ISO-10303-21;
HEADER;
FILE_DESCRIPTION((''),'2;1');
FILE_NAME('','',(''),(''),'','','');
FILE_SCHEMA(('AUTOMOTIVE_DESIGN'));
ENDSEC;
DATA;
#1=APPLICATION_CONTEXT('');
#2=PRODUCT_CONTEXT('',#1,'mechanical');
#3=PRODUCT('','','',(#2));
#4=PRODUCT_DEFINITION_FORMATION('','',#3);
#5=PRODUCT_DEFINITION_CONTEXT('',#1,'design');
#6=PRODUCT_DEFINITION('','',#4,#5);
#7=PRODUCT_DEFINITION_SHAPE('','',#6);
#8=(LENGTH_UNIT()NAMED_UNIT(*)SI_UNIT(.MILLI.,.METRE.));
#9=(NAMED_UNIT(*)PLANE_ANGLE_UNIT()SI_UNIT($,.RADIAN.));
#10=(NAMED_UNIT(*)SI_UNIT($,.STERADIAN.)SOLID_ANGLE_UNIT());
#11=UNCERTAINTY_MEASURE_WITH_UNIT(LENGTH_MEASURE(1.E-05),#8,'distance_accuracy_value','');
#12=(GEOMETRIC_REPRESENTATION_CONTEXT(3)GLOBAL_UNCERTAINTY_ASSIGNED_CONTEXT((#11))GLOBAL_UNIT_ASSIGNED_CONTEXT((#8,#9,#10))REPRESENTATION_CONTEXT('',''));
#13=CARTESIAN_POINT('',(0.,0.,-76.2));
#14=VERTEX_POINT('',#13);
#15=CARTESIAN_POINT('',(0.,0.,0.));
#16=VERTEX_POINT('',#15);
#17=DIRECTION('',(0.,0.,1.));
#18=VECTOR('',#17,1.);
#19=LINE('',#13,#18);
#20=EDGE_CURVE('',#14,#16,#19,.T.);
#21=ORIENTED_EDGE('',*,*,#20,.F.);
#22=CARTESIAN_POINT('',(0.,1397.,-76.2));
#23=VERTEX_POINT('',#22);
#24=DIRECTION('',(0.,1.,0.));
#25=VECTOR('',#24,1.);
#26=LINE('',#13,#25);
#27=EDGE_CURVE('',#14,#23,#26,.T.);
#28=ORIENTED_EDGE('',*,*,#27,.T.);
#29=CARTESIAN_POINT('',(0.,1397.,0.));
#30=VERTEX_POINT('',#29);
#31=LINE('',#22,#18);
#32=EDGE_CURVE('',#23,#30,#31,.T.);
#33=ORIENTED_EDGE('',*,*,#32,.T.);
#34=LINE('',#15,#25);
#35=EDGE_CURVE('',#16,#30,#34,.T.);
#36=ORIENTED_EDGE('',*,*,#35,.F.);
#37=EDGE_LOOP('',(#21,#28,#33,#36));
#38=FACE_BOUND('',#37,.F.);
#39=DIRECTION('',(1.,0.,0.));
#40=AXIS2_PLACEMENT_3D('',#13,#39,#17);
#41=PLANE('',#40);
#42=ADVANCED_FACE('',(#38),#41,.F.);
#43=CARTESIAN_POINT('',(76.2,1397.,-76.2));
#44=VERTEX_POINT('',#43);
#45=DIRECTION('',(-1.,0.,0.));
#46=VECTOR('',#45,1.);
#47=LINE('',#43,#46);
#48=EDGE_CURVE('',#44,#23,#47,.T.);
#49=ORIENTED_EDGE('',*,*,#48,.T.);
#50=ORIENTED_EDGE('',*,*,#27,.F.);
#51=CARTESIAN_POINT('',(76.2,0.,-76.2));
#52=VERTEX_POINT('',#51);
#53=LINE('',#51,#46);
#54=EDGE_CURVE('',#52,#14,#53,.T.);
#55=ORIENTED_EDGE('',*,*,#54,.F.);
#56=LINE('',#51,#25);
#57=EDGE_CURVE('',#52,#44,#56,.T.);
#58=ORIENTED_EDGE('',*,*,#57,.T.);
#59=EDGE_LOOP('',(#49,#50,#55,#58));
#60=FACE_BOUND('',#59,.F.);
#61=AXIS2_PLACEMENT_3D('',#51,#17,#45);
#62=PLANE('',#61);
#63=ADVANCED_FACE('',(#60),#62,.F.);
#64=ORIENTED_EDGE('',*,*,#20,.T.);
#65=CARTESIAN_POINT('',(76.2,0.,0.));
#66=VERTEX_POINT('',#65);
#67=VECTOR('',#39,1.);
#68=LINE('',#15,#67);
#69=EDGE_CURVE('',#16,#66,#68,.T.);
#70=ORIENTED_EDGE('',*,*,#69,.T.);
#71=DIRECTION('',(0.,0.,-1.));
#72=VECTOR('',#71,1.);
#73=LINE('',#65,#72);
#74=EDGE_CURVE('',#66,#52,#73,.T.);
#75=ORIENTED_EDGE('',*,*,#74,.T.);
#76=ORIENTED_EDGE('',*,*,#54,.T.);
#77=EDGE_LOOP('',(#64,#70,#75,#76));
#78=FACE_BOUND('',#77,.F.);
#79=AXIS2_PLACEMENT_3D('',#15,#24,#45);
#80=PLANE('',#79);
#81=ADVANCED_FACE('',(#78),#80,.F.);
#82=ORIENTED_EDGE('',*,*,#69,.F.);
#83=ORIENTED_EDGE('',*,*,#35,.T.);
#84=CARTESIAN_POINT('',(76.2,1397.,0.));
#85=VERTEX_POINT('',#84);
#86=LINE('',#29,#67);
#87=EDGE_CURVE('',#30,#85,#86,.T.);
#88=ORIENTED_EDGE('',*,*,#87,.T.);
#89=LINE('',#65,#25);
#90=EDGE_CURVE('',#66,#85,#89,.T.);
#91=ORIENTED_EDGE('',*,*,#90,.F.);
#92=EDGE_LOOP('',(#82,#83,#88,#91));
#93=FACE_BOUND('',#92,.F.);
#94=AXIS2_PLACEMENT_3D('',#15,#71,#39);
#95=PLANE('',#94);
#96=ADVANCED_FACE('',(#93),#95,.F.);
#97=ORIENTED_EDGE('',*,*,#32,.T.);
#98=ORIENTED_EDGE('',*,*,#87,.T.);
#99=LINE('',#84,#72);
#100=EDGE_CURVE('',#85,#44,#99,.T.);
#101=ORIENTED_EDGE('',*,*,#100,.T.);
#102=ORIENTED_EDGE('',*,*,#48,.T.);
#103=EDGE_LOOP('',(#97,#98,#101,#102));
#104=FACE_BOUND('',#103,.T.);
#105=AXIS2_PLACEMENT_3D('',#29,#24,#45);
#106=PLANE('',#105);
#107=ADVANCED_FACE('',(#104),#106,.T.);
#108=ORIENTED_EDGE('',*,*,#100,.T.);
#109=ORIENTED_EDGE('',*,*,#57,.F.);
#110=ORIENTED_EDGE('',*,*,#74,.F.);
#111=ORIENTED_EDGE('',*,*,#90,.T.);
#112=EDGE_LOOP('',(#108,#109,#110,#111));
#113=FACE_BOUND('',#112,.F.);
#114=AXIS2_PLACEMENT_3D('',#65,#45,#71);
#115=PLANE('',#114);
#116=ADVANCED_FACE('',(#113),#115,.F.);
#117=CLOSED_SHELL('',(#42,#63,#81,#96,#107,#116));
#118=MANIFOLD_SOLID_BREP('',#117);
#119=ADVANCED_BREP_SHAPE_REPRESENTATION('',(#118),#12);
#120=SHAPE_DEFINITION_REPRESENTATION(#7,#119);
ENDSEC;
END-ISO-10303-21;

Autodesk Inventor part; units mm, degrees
ref_plane "YZ Plane" through (0, 0, 0) normal (1, 0, 0) x (0, 1, 0)
ref_plane "XZ Plane" through (0, 0, 0) normal (0, 1, 0) x (-1, 0, 0)
ref_plane "XY Plane" through (0, 0, 0) normal (0, 0, 1) x (1, 0, 0)
sketch "Sketch1" plane through (0, 0, 0) normal (0, 1, 0) x (-1, 0, 0)
  line L0 (0, 0) -> (-76.2, 0)
  line L1 (-76.2, 0) -> (-76.2, -76.2)
  line L2 (-76.2, -76.2) -> (0, -76.2)
  line L3 (0, -76.2) -> (0, 0)
  dimension "d0" = 76.2
  dimension "d1" = 76.2
extrude "Extrusion1" add sketch "Sketch1" along normal blind 1397
properties part number "base pillar"
